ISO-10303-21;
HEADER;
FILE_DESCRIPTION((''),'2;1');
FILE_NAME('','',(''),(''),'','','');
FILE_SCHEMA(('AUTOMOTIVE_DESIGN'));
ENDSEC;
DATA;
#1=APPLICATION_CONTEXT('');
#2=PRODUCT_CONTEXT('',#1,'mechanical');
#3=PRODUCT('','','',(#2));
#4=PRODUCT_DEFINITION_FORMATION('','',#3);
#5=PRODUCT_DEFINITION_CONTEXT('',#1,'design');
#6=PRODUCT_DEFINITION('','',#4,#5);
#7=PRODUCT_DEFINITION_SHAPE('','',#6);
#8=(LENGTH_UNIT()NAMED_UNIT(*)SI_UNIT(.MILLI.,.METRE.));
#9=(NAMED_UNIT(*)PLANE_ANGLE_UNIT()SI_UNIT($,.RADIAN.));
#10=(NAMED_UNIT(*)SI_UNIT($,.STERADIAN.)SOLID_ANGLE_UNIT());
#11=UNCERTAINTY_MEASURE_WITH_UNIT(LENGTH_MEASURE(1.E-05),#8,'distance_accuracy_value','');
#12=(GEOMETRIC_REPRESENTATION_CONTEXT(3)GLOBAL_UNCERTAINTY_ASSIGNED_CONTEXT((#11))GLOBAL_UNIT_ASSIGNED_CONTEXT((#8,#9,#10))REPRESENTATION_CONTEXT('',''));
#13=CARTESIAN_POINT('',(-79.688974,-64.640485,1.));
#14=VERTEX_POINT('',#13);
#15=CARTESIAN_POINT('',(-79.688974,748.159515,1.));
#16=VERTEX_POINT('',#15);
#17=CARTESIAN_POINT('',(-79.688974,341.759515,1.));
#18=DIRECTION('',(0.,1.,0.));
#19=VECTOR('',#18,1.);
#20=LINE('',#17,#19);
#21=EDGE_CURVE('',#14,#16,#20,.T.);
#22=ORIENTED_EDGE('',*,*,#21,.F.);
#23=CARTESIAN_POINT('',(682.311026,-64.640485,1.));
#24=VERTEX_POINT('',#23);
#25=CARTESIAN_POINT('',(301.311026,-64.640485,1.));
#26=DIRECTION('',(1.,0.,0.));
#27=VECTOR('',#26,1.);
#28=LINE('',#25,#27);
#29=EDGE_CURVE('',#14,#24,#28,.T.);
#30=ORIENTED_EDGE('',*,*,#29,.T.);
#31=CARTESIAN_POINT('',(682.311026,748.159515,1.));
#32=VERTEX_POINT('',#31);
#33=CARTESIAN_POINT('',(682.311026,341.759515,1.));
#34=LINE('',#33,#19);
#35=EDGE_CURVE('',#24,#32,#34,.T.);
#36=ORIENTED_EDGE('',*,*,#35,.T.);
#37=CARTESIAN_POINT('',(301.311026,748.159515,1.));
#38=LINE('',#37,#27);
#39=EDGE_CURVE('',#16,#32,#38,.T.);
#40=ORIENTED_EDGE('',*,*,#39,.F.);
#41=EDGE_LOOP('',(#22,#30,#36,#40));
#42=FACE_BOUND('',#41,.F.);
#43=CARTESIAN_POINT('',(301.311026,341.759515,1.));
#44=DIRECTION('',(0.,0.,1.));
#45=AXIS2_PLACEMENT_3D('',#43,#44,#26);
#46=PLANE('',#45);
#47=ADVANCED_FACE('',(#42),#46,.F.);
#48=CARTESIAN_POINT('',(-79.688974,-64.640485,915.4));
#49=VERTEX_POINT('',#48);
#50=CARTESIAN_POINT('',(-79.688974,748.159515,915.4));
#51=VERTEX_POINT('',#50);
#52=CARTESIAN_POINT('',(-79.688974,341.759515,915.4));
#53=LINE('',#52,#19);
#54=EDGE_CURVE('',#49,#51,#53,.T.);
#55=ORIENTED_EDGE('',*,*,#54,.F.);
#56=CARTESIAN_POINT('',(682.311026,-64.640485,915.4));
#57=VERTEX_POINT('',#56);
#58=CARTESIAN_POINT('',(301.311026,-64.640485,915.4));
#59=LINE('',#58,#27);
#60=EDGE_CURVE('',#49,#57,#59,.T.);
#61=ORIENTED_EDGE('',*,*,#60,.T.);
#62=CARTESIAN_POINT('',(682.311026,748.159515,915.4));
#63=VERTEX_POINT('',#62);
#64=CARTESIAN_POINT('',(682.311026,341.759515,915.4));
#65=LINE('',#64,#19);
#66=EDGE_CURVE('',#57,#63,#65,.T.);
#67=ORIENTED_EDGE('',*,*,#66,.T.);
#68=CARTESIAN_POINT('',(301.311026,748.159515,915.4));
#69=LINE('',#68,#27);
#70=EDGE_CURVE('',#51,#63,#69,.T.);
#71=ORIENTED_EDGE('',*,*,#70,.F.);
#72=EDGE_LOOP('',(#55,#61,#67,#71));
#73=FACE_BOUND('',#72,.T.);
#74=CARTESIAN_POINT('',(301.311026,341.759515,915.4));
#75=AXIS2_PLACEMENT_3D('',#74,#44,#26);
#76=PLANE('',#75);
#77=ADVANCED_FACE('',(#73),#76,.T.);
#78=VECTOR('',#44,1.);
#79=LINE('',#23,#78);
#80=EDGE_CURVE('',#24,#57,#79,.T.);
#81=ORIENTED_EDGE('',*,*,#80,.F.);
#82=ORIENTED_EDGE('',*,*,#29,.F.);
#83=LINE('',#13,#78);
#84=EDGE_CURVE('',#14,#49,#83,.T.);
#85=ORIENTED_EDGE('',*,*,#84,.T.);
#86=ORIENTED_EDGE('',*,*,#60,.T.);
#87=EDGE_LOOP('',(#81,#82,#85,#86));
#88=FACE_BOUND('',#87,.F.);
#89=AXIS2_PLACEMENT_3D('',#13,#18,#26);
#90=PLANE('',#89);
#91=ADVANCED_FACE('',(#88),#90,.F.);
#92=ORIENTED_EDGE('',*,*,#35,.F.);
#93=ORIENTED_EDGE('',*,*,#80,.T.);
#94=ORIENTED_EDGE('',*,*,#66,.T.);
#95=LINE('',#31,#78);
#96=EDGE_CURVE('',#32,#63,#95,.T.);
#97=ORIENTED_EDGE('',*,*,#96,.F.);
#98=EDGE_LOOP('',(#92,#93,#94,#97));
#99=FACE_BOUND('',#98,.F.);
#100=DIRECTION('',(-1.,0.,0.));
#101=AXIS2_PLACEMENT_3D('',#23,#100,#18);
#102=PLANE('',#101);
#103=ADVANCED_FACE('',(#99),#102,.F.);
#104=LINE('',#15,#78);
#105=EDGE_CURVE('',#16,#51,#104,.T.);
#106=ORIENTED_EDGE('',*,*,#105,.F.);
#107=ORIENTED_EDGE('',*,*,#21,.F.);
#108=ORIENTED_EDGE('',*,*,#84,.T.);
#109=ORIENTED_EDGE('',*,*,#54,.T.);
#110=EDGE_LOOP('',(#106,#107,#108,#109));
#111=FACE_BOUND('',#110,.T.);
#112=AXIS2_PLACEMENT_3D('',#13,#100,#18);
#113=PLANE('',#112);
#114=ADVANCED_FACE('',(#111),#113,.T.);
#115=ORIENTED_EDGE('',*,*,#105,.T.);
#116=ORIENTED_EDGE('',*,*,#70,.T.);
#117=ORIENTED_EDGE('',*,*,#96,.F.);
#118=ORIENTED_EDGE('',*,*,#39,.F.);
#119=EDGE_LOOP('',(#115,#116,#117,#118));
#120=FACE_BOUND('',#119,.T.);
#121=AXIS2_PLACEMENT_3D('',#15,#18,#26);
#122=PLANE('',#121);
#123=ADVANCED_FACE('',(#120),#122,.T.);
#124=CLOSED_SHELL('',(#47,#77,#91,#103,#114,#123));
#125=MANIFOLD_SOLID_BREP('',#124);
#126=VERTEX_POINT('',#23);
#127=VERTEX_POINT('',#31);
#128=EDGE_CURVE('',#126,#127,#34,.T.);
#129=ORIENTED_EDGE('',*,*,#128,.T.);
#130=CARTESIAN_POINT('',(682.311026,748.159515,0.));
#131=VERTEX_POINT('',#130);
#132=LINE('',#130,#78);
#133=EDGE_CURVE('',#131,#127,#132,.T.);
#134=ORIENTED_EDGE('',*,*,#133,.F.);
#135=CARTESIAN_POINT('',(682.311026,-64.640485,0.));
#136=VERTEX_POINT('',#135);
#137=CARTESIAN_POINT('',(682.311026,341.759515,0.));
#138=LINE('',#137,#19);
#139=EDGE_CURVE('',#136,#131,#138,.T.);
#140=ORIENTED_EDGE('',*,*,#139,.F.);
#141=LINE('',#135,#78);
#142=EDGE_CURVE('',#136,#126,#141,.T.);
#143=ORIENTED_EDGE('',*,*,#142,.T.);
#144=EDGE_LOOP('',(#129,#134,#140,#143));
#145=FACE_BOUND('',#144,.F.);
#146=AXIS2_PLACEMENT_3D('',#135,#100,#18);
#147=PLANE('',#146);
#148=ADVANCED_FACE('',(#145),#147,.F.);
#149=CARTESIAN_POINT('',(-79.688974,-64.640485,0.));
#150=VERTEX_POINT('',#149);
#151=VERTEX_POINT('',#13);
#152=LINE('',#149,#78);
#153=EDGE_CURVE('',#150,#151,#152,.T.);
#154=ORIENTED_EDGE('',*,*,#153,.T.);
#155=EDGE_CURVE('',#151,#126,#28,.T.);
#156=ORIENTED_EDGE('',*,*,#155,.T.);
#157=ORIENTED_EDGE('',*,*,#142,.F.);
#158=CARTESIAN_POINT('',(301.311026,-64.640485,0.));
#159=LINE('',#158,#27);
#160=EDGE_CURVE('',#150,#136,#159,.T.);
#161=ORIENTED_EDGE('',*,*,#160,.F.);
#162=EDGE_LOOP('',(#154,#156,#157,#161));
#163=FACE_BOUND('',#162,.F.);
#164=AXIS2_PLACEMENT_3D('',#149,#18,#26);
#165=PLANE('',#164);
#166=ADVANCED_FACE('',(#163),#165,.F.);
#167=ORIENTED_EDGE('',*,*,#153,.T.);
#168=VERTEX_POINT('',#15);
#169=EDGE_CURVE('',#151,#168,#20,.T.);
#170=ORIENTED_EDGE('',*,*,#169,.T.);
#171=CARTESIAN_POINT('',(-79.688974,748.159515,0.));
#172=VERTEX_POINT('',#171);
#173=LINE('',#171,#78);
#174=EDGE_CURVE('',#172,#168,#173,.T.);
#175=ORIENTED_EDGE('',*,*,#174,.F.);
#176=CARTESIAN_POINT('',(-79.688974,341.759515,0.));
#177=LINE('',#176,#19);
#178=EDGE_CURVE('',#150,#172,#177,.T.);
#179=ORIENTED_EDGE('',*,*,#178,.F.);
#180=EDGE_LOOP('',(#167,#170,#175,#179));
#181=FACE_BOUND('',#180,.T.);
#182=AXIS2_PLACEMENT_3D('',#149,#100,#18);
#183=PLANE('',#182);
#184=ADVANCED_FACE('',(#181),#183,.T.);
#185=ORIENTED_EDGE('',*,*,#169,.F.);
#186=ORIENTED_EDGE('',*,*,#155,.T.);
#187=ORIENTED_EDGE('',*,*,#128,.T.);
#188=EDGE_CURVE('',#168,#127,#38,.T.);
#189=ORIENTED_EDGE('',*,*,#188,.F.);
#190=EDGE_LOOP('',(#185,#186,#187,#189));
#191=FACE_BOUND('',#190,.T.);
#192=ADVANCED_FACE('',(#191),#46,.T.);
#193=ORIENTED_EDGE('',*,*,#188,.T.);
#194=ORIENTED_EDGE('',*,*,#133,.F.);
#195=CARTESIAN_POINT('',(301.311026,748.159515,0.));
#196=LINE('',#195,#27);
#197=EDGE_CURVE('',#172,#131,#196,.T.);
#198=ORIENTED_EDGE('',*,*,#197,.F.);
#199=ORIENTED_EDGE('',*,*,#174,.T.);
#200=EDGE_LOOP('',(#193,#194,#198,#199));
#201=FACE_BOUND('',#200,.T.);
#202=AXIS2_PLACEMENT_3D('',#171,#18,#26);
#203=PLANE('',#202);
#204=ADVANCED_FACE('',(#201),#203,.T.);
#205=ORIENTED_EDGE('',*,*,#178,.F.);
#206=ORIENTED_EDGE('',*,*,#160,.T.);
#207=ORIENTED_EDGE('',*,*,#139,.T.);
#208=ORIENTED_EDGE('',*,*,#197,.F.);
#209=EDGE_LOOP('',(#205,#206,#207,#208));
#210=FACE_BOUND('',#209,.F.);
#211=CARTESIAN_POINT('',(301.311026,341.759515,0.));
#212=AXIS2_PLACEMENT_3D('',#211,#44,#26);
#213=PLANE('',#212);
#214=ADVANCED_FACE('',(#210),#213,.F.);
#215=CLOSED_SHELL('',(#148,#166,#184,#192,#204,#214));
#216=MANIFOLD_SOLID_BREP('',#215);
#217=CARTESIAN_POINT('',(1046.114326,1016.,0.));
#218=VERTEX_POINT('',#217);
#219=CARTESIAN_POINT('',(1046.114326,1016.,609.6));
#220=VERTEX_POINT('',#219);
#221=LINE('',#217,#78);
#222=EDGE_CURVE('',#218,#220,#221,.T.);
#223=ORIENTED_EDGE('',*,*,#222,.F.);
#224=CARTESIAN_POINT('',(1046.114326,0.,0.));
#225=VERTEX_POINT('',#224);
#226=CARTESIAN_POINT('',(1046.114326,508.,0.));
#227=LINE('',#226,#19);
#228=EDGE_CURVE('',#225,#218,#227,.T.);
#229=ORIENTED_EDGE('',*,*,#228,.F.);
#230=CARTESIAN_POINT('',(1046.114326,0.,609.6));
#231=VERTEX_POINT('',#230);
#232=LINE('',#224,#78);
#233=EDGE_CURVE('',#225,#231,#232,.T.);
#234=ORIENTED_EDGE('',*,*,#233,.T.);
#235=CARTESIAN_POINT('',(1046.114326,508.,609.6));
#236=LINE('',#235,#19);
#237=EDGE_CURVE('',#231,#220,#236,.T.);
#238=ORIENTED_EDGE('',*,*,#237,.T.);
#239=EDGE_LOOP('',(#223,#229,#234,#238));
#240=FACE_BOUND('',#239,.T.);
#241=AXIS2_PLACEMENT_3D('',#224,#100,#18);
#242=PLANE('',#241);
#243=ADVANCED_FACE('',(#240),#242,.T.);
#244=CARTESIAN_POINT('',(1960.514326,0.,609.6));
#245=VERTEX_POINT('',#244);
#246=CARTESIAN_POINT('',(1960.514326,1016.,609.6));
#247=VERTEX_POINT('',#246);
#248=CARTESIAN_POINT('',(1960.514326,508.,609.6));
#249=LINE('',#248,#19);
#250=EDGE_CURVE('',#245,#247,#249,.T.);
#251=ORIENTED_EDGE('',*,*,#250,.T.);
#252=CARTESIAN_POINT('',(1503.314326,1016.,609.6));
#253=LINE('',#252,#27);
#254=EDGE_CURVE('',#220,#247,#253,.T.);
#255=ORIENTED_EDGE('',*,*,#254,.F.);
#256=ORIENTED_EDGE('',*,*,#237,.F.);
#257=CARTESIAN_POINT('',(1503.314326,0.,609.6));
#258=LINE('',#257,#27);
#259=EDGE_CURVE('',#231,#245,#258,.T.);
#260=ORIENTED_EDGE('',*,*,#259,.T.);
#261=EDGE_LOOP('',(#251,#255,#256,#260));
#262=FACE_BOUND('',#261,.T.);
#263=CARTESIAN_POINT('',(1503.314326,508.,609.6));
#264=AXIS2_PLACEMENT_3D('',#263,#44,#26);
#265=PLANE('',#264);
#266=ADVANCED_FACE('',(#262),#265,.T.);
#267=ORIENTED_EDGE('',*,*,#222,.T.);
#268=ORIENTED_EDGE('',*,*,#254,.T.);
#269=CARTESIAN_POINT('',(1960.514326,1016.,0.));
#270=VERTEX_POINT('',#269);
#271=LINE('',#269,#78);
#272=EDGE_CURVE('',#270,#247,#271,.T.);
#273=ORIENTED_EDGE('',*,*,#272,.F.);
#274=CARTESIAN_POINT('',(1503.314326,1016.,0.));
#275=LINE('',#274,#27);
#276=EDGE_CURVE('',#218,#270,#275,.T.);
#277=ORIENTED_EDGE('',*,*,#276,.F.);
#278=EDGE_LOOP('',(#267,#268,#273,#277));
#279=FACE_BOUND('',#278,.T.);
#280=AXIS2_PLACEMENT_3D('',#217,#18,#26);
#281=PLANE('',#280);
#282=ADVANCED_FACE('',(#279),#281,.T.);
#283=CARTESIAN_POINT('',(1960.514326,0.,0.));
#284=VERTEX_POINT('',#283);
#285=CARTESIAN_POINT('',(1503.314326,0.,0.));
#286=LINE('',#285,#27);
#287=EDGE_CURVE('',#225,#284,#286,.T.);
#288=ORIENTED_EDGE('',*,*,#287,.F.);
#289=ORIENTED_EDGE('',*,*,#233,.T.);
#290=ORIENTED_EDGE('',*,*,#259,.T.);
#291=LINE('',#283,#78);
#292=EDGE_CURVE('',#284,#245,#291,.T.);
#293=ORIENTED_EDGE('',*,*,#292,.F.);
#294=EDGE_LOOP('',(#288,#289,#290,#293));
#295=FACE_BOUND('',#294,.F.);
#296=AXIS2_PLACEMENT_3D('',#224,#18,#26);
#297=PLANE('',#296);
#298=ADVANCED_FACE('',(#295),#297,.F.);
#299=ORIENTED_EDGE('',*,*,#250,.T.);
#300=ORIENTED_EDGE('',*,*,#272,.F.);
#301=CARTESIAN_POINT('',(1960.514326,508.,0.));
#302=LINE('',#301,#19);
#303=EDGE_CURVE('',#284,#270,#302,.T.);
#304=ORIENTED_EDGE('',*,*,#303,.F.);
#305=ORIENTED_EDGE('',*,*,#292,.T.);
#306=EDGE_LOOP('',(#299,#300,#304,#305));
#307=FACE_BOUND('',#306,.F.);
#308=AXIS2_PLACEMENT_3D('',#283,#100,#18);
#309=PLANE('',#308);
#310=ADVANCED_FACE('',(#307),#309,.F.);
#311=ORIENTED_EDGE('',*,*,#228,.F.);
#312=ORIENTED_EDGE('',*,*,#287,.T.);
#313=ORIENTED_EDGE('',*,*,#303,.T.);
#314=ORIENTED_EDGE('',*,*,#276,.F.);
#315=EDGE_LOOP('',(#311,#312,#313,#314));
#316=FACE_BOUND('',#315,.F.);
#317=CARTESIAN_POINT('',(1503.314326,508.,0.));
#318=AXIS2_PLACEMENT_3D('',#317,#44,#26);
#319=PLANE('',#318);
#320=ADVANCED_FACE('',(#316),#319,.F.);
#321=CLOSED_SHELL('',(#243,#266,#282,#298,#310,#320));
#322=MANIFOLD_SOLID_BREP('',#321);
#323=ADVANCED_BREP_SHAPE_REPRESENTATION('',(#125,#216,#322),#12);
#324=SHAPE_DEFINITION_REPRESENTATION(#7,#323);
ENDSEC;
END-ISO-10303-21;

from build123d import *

# Parameters (mm, degrees)
F0_W     = 762
F0_H     = 812.8
F1_DEPTH = 1
F2_W     = 762
F2_H     = 812.8
F3_DEPTH = 914.4
F4_W     = 914.4
F4_H     = 1016
F5_DEPTH = 609.6


with BuildPart() as f1:
    # F0 (on Top) → F1 (new body)
    with BuildSketch(Plane.XY):
        with Locations((301.311026, 341.759515)):
            Rectangle(F0_W, F0_H)
    extrude(amount=F1_DEPTH)


with BuildPart() as f3:
    # F2 (on face) → F3 (new body)
    with BuildSketch(Plane.XY.offset(1)):
        with Locations((301.311026, 341.759515)):
            Rectangle(F2_W, F2_H)
    extrude(amount=F3_DEPTH)


with BuildPart() as f5:
    # F4 (on Top) → F5 (new body)
    with BuildSketch(Plane.XY):
        with Locations((1503.314326, 508)):
            Rectangle(F4_W, F4_H)
    extrude(amount=F5_DEPTH)


solid = Compound([f1.part, f3.part, f5.part])
